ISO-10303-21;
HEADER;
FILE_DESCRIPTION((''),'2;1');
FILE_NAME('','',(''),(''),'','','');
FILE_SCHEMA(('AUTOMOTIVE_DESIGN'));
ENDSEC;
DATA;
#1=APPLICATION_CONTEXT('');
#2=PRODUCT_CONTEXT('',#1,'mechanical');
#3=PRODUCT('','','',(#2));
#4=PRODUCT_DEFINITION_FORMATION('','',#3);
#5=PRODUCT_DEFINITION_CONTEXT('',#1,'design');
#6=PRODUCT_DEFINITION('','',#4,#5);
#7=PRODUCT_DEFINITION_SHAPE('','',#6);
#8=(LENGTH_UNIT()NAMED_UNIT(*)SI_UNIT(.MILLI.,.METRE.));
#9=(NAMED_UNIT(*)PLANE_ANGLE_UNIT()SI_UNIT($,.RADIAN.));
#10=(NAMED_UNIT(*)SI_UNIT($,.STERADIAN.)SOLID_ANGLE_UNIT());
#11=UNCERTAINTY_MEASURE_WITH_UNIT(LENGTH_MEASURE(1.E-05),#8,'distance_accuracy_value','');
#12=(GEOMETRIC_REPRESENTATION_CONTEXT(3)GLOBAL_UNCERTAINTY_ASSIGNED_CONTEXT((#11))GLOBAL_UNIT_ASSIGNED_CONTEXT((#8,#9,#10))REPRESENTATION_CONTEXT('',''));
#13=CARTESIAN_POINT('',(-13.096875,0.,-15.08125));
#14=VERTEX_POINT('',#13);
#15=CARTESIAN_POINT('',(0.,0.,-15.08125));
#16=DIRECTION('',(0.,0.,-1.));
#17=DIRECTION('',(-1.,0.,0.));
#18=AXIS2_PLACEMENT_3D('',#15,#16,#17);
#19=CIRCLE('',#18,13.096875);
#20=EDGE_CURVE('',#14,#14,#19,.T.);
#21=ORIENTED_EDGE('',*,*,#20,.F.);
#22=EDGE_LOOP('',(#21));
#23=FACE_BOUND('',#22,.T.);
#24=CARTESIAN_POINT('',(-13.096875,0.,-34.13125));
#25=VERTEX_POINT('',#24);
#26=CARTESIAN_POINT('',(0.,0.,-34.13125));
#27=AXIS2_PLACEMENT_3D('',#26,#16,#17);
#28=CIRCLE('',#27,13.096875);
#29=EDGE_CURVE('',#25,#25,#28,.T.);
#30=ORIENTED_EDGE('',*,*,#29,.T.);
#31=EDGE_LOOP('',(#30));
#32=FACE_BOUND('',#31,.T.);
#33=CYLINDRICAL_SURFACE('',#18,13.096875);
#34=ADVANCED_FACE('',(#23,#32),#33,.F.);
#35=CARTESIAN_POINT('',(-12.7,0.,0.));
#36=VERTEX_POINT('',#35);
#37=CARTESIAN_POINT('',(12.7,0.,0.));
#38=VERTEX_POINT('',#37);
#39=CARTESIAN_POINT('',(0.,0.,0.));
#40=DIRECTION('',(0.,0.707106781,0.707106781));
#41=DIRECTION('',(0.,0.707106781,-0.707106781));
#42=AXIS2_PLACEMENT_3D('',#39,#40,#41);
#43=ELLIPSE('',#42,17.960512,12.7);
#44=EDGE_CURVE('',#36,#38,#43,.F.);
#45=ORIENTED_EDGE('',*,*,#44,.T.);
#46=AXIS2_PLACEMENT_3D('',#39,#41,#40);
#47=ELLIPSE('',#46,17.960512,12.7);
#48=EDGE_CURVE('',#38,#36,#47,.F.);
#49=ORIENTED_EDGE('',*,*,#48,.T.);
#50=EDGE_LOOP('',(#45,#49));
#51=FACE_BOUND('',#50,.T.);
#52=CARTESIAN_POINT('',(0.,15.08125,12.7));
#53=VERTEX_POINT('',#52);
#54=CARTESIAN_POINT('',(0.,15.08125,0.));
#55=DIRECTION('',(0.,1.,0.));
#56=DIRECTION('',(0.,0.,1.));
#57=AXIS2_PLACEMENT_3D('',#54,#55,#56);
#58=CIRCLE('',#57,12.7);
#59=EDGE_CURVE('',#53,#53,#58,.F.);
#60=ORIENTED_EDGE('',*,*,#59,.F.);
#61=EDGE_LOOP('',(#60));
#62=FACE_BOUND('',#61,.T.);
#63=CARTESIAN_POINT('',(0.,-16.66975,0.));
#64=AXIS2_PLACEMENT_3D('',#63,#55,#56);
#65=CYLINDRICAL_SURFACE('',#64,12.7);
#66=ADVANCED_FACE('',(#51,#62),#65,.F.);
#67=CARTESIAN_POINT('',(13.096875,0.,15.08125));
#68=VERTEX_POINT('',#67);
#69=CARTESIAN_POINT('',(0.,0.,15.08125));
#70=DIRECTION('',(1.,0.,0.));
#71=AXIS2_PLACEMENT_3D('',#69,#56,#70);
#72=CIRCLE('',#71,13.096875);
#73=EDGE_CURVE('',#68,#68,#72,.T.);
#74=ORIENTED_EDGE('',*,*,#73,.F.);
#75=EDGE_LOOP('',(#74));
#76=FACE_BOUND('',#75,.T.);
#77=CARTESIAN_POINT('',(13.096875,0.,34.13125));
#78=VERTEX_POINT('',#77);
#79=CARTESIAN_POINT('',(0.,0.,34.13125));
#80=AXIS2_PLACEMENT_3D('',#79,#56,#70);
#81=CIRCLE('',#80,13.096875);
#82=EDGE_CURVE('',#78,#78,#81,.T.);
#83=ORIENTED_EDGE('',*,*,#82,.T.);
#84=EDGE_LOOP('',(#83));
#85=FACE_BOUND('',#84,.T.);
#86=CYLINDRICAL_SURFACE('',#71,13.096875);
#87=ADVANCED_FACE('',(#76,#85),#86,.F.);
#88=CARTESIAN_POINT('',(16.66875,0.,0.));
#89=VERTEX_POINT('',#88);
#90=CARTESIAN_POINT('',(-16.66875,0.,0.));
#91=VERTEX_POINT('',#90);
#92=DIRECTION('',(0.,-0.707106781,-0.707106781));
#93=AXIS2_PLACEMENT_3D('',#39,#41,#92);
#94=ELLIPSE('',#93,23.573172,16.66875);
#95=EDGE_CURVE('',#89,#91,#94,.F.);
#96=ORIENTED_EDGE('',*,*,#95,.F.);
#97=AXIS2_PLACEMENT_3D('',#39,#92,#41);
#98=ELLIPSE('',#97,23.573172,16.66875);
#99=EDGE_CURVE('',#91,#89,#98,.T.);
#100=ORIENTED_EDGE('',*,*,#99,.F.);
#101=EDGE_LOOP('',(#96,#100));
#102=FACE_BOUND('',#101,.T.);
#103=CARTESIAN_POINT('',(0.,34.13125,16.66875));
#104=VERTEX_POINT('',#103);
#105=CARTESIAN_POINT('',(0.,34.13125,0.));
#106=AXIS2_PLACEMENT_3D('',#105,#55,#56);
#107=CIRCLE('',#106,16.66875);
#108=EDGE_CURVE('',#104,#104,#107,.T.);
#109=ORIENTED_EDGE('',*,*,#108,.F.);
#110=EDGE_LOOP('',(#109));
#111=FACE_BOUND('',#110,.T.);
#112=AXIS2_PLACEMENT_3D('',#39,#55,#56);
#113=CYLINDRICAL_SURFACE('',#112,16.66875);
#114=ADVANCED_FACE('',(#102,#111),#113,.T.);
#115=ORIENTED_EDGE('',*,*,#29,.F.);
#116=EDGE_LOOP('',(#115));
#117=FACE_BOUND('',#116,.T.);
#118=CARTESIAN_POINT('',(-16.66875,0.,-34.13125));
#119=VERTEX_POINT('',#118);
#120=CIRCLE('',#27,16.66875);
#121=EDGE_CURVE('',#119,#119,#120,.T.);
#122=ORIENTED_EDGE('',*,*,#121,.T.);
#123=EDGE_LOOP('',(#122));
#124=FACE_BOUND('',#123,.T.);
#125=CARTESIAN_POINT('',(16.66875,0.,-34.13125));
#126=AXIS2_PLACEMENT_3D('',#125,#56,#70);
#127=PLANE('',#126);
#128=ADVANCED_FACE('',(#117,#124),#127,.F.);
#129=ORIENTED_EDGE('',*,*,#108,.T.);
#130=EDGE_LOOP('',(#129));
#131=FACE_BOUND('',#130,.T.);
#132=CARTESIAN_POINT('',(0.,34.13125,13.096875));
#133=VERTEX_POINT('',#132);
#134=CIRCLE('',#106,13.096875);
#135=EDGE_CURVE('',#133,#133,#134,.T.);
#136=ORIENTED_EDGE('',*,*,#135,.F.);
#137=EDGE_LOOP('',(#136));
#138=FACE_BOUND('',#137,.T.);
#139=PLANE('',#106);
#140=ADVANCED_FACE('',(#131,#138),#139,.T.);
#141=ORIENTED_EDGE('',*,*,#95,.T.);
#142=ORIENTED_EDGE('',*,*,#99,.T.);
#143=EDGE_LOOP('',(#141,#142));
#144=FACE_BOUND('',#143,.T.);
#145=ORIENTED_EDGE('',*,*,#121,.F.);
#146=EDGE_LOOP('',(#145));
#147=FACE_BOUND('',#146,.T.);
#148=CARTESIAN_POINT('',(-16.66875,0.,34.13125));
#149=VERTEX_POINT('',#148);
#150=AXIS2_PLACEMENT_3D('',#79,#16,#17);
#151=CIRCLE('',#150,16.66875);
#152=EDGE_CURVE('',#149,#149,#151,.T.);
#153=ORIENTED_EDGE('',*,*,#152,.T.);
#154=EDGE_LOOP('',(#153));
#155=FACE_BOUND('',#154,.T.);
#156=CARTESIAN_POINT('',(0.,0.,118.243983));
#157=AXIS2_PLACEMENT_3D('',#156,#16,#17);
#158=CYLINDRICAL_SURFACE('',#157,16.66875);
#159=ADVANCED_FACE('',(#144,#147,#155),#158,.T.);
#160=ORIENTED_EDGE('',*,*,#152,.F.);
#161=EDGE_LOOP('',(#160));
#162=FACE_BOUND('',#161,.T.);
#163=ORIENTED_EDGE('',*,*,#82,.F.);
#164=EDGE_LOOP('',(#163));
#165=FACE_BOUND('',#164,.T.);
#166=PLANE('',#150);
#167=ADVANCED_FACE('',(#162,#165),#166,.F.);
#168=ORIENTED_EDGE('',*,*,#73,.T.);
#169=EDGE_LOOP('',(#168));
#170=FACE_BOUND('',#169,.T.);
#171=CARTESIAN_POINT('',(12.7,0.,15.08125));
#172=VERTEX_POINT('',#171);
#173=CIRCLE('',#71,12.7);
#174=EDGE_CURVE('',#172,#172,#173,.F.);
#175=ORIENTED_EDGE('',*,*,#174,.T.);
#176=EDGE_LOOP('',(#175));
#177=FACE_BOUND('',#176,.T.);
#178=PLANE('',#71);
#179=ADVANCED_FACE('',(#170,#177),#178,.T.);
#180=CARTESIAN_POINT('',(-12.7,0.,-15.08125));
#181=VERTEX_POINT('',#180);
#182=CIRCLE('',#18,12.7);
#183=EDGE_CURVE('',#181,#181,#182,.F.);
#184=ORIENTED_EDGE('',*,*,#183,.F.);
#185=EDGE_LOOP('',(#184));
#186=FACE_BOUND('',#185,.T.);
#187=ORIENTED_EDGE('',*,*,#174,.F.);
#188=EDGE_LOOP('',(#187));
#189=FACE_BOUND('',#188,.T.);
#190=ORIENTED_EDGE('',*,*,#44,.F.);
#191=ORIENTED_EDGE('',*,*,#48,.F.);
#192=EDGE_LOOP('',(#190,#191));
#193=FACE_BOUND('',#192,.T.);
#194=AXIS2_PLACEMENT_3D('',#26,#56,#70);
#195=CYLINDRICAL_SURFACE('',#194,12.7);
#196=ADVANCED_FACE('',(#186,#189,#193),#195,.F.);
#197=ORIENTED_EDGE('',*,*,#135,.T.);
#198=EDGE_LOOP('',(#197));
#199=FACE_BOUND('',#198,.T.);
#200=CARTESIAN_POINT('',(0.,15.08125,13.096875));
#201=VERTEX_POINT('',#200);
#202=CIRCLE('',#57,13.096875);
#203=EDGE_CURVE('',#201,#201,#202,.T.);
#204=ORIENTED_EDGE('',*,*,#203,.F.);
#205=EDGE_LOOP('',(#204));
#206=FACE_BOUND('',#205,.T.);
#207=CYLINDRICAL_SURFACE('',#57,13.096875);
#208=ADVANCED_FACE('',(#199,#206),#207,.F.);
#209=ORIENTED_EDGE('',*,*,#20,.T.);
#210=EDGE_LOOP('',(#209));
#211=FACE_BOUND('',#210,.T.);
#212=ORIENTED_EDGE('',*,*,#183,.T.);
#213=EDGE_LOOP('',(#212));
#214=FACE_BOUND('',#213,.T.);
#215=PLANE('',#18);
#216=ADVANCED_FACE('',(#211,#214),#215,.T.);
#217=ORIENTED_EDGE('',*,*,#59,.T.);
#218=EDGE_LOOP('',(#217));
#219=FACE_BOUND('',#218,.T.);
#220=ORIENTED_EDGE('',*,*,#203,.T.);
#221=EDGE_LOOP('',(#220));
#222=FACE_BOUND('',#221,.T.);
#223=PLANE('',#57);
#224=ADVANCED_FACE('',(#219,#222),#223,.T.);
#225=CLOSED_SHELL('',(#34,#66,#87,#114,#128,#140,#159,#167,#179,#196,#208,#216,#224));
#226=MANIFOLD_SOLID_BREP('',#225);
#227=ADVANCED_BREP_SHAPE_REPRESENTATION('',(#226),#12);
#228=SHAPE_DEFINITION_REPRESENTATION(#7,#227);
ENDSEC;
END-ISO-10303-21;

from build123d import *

# Parameters (mm, degrees)
SKETCH1_W          = 16.66875
SKETCH1_H          = 68.2625
SKETCH2_W          = 16.66875
SKETCH2_H          = 34.13125
SKETCH7_R          = 12.7
CUT_EXTRUDE1_DEPTH = 69.2625
CUT_EXTRUDE2_REACH = 52.8
SKETCH8_R          = 12.7
SKETCH9_R          = 13.096875
CUT_EXTRUDE3_DEPTH = 19.05
SKETCH10_R         = 13.096875
CUT_EXTRUDE4_DEPTH = 19.05
SKETCH11_R         = 13.096875
CUT_EXTRUDE5_DEPTH = 19.05


with BuildPart() as part:
    # Sketch1 → Revolve1 (revolve)
    with BuildSketch(Plane(origin=(0, 0, 0), x_dir=(1, 0, 0), z_dir=(0, 1, 0))):
        with Locations((8.334375, 0)):
            Rectangle(SKETCH1_W, SKETCH1_H)
    revolve(axis=Axis((0, 0, 118.243982537), (0, 0, -1)))

    # Sketch2 → Revolve2 (revolve)
    with BuildSketch(Plane.XY):
        with Locations((-8.334375, 17.065625)):
            Rectangle(SKETCH2_W, SKETCH2_H)
    revolve(axis=Axis((0, 0, 0), (0, 1, 0)))

    # Sketch7 → Cut-Extrude1 (cut, through all)
    with BuildSketch(Plane.XY.offset(34.13125)):
        Circle(SKETCH7_R)
    extrude(amount=-CUT_EXTRUDE1_DEPTH, mode=Mode.SUBTRACT)

    # Sketch8 → Cut-Extrude2 (cut, up to next)
    with BuildSketch(Plane(origin=(0, 34.13125, 0), x_dir=(1, 0, 0), z_dir=(0, 1, 0)), mode=Mode.PRIVATE) as cut_extrude2_sk1:
        Circle(SKETCH8_R)
    cut_extrude2_tool1 = extrude(cut_extrude2_sk1.sketch, amount=-CUT_EXTRUDE2_REACH, mode=Mode.PRIVATE) & part.part
    add(cut_extrude2_tool1.solids().sort_by_distance((0, 34.13125, 0))[0], mode=Mode.SUBTRACT)

    # Sketch9 → Cut-Extrude3 (cut)
    with BuildSketch(Plane.XY.offset(34.13125)):
        Circle(SKETCH9_R)
    extrude(amount=-CUT_EXTRUDE3_DEPTH, mode=Mode.SUBTRACT)

    # Sketch10 → Cut-Extrude4 (cut)
    with BuildSketch(Plane(origin=(0, 0, -34.13125), x_dir=(-1, 0, 0), z_dir=(0, 0, -1))):
        Circle(SKETCH10_R)
    extrude(amount=-CUT_EXTRUDE4_DEPTH, mode=Mode.SUBTRACT)

    # Sketch11 → Cut-Extrude5 (cut)
    with BuildSketch(Plane(origin=(0, 34.13125, 0), x_dir=(1, 0, 0), z_dir=(0, 1, 0))):
        Circle(SKETCH11_R)
    extrude(amount=-CUT_EXTRUDE5_DEPTH, mode=Mode.SUBTRACT)


solid = part.part
